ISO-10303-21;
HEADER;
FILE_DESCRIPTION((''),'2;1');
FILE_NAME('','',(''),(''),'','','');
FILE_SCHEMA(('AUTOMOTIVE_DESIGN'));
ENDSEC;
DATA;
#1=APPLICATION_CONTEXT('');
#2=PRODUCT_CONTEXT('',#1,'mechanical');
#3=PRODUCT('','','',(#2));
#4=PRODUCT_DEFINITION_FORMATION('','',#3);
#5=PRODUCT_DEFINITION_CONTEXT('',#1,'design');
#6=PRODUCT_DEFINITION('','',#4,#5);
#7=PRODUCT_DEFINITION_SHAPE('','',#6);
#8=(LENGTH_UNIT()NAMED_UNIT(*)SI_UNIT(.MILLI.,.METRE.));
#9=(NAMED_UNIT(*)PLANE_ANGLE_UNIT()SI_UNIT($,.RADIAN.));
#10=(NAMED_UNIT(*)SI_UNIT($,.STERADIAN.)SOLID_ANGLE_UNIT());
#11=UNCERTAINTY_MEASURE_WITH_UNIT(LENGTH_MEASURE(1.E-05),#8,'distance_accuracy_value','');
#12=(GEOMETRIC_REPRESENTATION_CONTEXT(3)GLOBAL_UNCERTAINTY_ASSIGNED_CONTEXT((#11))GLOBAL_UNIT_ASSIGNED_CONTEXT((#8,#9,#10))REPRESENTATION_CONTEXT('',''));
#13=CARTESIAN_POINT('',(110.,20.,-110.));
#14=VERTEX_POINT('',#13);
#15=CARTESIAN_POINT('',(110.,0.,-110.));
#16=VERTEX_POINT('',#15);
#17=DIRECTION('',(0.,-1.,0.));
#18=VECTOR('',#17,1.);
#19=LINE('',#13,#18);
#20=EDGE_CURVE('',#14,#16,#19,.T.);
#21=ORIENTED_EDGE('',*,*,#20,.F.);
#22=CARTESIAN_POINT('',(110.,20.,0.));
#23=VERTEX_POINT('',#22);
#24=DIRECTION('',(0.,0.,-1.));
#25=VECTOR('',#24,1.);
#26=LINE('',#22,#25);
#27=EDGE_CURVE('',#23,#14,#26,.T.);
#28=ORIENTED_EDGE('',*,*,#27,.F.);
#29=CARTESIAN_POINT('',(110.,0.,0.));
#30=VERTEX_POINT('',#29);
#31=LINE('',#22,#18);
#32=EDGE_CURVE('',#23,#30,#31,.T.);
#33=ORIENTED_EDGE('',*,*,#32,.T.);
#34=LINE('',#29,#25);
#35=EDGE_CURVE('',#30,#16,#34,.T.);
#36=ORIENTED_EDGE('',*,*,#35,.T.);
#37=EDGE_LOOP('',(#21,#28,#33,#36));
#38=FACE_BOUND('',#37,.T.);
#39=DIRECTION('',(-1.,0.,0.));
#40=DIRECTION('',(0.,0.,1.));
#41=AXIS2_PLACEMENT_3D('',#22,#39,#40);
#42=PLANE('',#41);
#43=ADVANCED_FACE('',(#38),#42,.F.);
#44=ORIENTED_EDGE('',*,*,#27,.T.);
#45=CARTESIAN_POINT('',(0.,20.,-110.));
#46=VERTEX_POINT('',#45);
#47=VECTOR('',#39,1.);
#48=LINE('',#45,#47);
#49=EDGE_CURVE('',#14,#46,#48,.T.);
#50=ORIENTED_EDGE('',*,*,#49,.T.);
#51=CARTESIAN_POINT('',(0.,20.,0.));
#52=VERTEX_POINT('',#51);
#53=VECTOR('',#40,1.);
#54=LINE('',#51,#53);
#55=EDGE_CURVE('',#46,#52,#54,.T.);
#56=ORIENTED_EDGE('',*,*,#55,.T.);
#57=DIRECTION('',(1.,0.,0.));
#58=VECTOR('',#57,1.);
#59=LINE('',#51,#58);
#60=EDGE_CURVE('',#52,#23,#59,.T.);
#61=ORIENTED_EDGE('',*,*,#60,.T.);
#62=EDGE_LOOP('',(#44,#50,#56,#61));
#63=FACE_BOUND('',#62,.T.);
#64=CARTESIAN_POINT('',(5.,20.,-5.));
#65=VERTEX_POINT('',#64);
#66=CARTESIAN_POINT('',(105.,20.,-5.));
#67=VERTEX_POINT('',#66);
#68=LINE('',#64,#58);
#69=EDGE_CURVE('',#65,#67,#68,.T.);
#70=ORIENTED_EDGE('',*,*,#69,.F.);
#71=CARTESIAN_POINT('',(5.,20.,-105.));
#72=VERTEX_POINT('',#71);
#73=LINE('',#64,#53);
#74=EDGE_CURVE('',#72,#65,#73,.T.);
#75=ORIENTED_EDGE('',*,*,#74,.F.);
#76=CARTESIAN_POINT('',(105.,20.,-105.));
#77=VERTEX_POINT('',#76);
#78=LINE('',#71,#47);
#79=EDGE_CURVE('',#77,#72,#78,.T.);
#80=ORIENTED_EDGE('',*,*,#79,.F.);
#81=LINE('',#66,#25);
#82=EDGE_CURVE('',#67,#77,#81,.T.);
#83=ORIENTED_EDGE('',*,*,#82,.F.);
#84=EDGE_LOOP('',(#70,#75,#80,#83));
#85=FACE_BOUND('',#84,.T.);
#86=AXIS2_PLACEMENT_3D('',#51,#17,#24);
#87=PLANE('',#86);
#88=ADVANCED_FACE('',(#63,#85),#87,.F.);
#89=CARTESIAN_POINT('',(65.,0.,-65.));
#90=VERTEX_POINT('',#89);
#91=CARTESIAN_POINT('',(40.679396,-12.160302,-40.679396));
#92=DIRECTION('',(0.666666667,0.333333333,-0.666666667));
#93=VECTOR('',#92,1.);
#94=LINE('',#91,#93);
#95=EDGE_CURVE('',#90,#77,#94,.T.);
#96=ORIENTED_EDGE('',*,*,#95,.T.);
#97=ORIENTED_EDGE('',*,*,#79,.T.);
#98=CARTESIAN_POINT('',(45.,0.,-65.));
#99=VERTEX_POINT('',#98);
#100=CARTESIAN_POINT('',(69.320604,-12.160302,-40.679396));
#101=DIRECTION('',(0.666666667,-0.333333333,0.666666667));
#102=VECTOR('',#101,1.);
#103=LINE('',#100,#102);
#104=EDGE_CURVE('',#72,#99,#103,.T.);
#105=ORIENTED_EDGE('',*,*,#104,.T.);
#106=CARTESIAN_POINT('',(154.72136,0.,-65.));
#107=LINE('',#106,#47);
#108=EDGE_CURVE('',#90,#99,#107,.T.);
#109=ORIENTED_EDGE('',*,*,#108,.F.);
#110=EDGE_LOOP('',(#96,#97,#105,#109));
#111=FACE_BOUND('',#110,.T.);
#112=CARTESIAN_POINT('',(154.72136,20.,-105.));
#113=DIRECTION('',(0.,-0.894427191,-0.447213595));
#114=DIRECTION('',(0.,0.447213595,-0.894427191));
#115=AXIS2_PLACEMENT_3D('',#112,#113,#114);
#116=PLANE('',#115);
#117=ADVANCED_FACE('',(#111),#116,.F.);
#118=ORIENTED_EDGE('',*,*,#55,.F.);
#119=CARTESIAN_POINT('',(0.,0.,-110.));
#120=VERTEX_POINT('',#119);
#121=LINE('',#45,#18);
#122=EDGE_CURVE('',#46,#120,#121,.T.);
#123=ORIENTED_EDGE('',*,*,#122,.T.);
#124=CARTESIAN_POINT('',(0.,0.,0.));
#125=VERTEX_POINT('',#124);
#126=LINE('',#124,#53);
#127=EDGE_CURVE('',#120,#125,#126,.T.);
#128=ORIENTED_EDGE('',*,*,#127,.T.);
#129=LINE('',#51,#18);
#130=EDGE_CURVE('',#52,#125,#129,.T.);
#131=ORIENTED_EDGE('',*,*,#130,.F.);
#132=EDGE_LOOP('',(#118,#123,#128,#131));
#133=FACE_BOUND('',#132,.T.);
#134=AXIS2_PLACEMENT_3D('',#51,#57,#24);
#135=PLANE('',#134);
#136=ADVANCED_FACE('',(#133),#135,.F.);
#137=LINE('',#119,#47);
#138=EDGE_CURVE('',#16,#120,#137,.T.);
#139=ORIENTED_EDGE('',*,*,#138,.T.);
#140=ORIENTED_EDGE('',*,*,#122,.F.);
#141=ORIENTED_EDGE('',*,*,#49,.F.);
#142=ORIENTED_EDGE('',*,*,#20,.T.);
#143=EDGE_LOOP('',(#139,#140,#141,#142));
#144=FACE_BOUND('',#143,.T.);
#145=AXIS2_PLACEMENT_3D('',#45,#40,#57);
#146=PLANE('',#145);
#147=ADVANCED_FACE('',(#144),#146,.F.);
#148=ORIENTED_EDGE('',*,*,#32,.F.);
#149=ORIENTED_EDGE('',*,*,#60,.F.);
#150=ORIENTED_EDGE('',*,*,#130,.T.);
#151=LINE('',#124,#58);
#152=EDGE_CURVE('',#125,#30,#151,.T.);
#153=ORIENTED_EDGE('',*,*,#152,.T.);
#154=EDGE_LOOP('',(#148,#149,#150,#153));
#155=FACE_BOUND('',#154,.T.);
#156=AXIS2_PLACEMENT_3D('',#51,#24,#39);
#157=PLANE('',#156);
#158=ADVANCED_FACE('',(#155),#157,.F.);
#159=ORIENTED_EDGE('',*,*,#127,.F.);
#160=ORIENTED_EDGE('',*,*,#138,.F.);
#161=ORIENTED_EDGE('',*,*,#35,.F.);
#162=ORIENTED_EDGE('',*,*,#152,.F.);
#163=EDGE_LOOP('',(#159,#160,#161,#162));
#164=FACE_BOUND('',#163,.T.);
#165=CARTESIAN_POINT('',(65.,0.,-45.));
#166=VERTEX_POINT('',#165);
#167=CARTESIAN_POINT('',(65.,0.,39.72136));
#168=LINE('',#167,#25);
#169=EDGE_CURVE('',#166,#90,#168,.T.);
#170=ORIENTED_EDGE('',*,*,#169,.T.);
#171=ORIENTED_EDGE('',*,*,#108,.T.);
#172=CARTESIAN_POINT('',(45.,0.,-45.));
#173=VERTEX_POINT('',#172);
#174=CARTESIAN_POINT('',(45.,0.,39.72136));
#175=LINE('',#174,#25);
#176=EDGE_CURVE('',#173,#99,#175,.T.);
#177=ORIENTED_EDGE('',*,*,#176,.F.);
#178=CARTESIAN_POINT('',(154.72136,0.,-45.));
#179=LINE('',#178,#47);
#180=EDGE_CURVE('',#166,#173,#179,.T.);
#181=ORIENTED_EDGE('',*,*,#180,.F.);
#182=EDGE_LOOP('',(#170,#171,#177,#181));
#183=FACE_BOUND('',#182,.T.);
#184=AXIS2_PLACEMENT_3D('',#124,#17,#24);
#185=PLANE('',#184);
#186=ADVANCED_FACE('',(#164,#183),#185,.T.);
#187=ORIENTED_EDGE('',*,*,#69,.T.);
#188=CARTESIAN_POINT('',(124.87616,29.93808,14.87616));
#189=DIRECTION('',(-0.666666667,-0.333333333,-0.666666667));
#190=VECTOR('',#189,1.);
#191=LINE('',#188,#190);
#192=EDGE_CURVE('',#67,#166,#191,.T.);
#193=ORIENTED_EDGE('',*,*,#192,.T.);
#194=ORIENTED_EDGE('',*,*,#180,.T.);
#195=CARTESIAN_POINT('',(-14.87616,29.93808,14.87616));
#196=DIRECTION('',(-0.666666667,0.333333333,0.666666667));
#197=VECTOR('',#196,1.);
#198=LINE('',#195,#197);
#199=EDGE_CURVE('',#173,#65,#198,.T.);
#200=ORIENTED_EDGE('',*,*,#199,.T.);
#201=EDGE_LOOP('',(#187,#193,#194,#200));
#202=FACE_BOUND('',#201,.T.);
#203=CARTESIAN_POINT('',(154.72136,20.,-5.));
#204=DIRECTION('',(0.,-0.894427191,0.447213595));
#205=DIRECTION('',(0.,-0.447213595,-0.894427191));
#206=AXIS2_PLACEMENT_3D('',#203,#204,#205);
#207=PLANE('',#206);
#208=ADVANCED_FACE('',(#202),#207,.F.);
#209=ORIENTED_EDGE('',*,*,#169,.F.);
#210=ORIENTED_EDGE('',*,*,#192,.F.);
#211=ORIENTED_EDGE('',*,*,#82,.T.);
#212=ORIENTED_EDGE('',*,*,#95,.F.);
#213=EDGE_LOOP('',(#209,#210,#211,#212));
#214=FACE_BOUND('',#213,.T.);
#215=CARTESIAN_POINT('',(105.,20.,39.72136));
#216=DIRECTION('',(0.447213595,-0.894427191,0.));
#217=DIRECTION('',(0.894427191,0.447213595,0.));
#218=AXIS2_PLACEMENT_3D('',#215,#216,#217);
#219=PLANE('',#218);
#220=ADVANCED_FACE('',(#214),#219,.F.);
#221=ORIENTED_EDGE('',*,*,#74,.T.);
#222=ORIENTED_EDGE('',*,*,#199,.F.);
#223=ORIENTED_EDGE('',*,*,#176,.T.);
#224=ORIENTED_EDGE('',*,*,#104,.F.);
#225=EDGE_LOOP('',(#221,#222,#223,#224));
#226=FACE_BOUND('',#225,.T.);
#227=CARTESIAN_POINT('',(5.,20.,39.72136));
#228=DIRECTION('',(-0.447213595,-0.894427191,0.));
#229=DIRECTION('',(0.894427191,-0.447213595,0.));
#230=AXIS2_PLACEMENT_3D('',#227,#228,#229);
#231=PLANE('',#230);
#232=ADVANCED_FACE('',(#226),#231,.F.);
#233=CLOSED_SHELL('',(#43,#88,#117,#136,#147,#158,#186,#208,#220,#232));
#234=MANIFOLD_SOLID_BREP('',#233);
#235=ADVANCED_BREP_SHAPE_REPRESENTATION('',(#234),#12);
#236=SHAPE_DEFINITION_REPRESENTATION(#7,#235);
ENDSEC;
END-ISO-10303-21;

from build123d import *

# Parameters (mm, degrees)
CROQUIS1_W                          = 110
CROQUIS1_H                          = 110
CROQUIS1_W_2                        = 100
CROQUIS1_H_2                        = 100
SALIENTE_EXTRUIR1_DEPTH             = 20
SALIENTE_EXTRUIR2_DEPTH             = 100
SALIENTE_EXTRUIR3_REACH             = 126.599
SALIENTE_EXTRUIR3_DIRECTION_2_REACH = 126.599


with BuildPart() as part:
    # Croquis1 → Saliente-Extruir1 (new body)
    with BuildSketch(Plane(origin=(0, 0, 0), x_dir=(1, 0, 0), z_dir=(0, 1, 0))):
        with Locations((55, 55)):
            Rectangle(CROQUIS1_W, CROQUIS1_H)
        with Locations((55, 55)):
            Rectangle(CROQUIS1_W_2, CROQUIS1_H_2, mode=Mode.SUBTRACT)
    extrude(amount=SALIENTE_EXTRUIR1_DEPTH)

    # Croquis2 → Saliente-Extruir2 (add)
    with BuildSketch(Plane.XY.offset(-105)):
        Polygon((5, 20), (45, 0), (5, 0), align=None)
        Polygon((105, 0), (105, 20), (65, 0), align=None)
    extrude(amount=SALIENTE_EXTRUIR2_DEPTH)

    # Saliente-Extruir3: up to this face of the body (flat: up to its plane)
    saliente_extruir3_end = Plane(part.part.faces().sort_by_distance((110, 10, -55))[0])
    # Croquis3 → Saliente-Extruir3 (add, up to the picked face)
    with BuildSketch(Plane(origin=(55, 0, 0), x_dir=(0, 0, -1), z_dir=(1, 0, 0)), mode=Mode.PRIVATE) as saliente_extruir3_sk1:
        Polygon((5, 20), (45, 0), (5, 0), align=None)
    saliente_extruir3_tool1 = split(extrude(saliente_extruir3_sk1.sketch, amount=SALIENTE_EXTRUIR3_REACH, mode=Mode.PRIVATE), bisect_by=saliente_extruir3_end, keep=Keep.BOTH, mode=Mode.PRIVATE)
    # Croquis3 → Saliente-Extruir3 (add, up to the picked face)
    with BuildSketch(Plane(origin=(55, 0, 0), x_dir=(0, 0, -1), z_dir=(1, 0, 0)), mode=Mode.PRIVATE) as saliente_extruir3_sk2:
        Polygon((105, 0), (65, 0), (105, 20), align=None)
    saliente_extruir3_tool2 = split(extrude(saliente_extruir3_sk2.sketch, amount=SALIENTE_EXTRUIR3_REACH, mode=Mode.PRIVATE), bisect_by=saliente_extruir3_end, keep=Keep.BOTH, mode=Mode.PRIVATE)
    add(saliente_extruir3_tool1.solids().sort_by(Axis((55, 6.666667, -18.333333), (1, 0, 0)))[0])
    add(saliente_extruir3_tool2.solids().sort_by(Axis((55, 6.666667, -91.666667), (1, 0, 0)))[0])

    # Saliente-Extruir3 direction 2: up to this face of the body (flat: up to its plane)
    saliente_extruir3_direction_2_end = Plane(part.part.faces().sort_by_distance((0, 10, -55))[0])
    # Croquis3 → Saliente-Extruir3 direction 2 (add, up to the picked face)
    with BuildSketch(Plane(origin=(55, 0, 0), x_dir=(0, 0, -1), z_dir=(1, 0, 0)), mode=Mode.PRIVATE) as saliente_extruir3_direction_2_sk1:
        Polygon((5, 20), (45, 0), (5, 0), align=None)
    saliente_extruir3_direction_2_tool1 = split(extrude(saliente_extruir3_direction_2_sk1.sketch, amount=-SALIENTE_EXTRUIR3_DIRECTION_2_REACH, mode=Mode.PRIVATE), bisect_by=saliente_extruir3_direction_2_end, keep=Keep.BOTH, mode=Mode.PRIVATE)
    # Croquis3 → Saliente-Extruir3 direction 2 (add, up to the picked face)
    with BuildSketch(Plane(origin=(55, 0, 0), x_dir=(0, 0, -1), z_dir=(1, 0, 0)), mode=Mode.PRIVATE) as saliente_extruir3_direction_2_sk2:
        Polygon((105, 0), (65, 0), (105, 20), align=None)
    saliente_extruir3_direction_2_tool2 = split(extrude(saliente_extruir3_direction_2_sk2.sketch, amount=-SALIENTE_EXTRUIR3_DIRECTION_2_REACH, mode=Mode.PRIVATE), bisect_by=saliente_extruir3_direction_2_end, keep=Keep.BOTH, mode=Mode.PRIVATE)
    add(saliente_extruir3_direction_2_tool1.solids().sort_by(Axis((55, 6.666667, -18.333333), (-1, 0, 0)))[0])
    add(saliente_extruir3_direction_2_tool2.solids().sort_by(Axis((55, 6.666667, -91.666667), (-1, 0, 0)))[0])


solid = part.part
